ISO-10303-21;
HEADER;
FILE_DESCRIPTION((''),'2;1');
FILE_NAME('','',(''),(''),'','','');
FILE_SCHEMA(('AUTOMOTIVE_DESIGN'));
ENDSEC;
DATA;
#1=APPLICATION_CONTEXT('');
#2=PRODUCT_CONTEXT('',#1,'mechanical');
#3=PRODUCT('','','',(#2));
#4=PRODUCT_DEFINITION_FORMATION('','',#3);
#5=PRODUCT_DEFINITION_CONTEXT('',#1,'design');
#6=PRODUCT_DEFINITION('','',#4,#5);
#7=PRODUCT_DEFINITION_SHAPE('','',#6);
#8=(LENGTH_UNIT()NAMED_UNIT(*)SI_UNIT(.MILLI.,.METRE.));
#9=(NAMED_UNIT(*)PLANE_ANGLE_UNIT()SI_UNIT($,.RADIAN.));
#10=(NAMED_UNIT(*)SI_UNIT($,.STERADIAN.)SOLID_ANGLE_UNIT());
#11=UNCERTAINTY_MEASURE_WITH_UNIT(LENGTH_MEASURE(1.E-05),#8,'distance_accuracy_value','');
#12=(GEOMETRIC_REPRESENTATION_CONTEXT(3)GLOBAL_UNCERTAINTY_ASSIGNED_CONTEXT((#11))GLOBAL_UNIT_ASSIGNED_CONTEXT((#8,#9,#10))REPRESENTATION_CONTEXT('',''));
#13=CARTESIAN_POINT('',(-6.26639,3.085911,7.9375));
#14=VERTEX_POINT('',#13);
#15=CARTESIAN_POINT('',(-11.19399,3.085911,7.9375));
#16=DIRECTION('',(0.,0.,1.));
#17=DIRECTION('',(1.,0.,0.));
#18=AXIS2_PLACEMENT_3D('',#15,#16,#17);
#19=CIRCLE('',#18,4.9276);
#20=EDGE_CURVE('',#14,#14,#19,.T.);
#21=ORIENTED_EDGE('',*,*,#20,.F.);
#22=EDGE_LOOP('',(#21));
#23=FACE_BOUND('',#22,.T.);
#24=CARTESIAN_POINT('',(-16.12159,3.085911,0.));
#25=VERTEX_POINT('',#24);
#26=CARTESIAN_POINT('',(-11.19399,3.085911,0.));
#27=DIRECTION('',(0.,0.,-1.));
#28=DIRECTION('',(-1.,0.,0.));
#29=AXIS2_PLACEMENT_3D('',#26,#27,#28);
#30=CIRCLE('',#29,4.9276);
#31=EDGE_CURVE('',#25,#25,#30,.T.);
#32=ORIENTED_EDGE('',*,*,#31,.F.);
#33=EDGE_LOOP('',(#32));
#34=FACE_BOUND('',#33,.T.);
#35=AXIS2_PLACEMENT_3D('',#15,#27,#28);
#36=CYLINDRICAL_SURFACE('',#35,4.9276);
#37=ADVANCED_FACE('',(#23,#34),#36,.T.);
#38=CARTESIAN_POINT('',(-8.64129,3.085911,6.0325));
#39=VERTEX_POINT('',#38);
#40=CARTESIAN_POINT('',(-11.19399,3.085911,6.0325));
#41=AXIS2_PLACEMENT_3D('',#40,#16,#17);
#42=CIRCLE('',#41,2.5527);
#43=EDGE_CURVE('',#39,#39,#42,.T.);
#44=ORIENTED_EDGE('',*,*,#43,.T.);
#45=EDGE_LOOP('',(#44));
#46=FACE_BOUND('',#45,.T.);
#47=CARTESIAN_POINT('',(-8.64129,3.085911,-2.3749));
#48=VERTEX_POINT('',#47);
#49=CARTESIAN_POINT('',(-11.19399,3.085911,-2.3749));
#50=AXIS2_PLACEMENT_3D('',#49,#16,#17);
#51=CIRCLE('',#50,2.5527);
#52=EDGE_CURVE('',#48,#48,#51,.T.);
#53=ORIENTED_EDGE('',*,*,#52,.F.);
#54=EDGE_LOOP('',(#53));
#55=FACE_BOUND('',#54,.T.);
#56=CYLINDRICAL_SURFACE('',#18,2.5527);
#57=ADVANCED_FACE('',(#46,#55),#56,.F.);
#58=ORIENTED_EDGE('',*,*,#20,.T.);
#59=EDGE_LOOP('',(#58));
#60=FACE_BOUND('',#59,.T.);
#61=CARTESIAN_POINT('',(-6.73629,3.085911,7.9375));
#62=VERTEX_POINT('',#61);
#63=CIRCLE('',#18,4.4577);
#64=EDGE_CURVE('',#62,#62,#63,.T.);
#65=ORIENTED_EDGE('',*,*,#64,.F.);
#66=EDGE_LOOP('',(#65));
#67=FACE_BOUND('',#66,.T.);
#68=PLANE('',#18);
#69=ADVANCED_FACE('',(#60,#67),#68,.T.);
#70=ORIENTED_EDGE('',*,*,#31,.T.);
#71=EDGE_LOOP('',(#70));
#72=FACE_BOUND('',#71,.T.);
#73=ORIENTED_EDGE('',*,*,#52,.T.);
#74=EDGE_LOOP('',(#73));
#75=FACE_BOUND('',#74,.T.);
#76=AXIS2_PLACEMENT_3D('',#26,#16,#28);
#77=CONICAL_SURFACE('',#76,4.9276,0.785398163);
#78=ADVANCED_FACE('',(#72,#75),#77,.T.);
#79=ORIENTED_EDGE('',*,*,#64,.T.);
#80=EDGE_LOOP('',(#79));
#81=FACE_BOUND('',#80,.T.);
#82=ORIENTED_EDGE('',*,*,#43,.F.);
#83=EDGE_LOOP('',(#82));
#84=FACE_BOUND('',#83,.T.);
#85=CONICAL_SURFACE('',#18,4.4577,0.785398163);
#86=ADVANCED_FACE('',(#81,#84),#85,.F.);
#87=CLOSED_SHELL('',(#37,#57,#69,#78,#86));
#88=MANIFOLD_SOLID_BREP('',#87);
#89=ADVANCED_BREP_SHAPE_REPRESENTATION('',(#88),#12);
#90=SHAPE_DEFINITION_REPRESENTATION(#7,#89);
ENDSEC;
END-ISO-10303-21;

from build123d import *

# Parameters (mm, degrees)
SKETCH1_R                         = 4.9276
BOSS_EXTRUDE1_DEPTH               = 7.9375
SKETCH4_R                         = 4.9276
BOSS_EXTRUDE2_DEPTH               = 3.175
BOSS_EXTRUDE2_TAPER               = 45
F_1_4_20_TAPPED_HOLE1_D           = 5.1054
F_1_4_20_TAPPED_HOLE1_DEPTH       = 16.51
F_1_4_20_TAPPED_HOLE1_CSINK_D     = 8.9154
F_1_4_20_TAPPED_HOLE1_CSINK_ANGLE = 90
F_1_4_20_TAPPED_HOLE1_TIP         = 1.533816902


with BuildPart() as part:
    # Sketch1 → Boss-Extrude1 (new body)
    with BuildSketch(Plane.XY):
        with Locations((-11.193990041, 3.085910768)):
            Circle(SKETCH1_R)
    extrude(amount=BOSS_EXTRUDE1_DEPTH)

    # Sketch4 → Boss-Extrude2 (add)
    with BuildSketch(Plane(origin=(0, 0, 0), x_dir=(-1, 0, 0), z_dir=(0, 0, -1))):
        with Locations((11.193990041, 3.085910768)):
            Circle(SKETCH4_R)
    extrude(amount=BOSS_EXTRUDE2_DEPTH, taper=BOSS_EXTRUDE2_TAPER)

    # 1/4-20 Tapped Hole1
    with Locations(Plane.XY.offset(7.9375)):
        with Locations((-11.193990041, 3.085910768)):
            CounterSinkHole(F_1_4_20_TAPPED_HOLE1_D / 2, F_1_4_20_TAPPED_HOLE1_CSINK_D / 2, depth=F_1_4_20_TAPPED_HOLE1_DEPTH, counter_sink_angle=F_1_4_20_TAPPED_HOLE1_CSINK_ANGLE)
            with Locations((0, 0, -(F_1_4_20_TAPPED_HOLE1_DEPTH + F_1_4_20_TAPPED_HOLE1_TIP / 2))):  # 118° drill point
                Cone(0, F_1_4_20_TAPPED_HOLE1_D / 2, F_1_4_20_TAPPED_HOLE1_TIP, mode=Mode.SUBTRACT)


solid = part.part
